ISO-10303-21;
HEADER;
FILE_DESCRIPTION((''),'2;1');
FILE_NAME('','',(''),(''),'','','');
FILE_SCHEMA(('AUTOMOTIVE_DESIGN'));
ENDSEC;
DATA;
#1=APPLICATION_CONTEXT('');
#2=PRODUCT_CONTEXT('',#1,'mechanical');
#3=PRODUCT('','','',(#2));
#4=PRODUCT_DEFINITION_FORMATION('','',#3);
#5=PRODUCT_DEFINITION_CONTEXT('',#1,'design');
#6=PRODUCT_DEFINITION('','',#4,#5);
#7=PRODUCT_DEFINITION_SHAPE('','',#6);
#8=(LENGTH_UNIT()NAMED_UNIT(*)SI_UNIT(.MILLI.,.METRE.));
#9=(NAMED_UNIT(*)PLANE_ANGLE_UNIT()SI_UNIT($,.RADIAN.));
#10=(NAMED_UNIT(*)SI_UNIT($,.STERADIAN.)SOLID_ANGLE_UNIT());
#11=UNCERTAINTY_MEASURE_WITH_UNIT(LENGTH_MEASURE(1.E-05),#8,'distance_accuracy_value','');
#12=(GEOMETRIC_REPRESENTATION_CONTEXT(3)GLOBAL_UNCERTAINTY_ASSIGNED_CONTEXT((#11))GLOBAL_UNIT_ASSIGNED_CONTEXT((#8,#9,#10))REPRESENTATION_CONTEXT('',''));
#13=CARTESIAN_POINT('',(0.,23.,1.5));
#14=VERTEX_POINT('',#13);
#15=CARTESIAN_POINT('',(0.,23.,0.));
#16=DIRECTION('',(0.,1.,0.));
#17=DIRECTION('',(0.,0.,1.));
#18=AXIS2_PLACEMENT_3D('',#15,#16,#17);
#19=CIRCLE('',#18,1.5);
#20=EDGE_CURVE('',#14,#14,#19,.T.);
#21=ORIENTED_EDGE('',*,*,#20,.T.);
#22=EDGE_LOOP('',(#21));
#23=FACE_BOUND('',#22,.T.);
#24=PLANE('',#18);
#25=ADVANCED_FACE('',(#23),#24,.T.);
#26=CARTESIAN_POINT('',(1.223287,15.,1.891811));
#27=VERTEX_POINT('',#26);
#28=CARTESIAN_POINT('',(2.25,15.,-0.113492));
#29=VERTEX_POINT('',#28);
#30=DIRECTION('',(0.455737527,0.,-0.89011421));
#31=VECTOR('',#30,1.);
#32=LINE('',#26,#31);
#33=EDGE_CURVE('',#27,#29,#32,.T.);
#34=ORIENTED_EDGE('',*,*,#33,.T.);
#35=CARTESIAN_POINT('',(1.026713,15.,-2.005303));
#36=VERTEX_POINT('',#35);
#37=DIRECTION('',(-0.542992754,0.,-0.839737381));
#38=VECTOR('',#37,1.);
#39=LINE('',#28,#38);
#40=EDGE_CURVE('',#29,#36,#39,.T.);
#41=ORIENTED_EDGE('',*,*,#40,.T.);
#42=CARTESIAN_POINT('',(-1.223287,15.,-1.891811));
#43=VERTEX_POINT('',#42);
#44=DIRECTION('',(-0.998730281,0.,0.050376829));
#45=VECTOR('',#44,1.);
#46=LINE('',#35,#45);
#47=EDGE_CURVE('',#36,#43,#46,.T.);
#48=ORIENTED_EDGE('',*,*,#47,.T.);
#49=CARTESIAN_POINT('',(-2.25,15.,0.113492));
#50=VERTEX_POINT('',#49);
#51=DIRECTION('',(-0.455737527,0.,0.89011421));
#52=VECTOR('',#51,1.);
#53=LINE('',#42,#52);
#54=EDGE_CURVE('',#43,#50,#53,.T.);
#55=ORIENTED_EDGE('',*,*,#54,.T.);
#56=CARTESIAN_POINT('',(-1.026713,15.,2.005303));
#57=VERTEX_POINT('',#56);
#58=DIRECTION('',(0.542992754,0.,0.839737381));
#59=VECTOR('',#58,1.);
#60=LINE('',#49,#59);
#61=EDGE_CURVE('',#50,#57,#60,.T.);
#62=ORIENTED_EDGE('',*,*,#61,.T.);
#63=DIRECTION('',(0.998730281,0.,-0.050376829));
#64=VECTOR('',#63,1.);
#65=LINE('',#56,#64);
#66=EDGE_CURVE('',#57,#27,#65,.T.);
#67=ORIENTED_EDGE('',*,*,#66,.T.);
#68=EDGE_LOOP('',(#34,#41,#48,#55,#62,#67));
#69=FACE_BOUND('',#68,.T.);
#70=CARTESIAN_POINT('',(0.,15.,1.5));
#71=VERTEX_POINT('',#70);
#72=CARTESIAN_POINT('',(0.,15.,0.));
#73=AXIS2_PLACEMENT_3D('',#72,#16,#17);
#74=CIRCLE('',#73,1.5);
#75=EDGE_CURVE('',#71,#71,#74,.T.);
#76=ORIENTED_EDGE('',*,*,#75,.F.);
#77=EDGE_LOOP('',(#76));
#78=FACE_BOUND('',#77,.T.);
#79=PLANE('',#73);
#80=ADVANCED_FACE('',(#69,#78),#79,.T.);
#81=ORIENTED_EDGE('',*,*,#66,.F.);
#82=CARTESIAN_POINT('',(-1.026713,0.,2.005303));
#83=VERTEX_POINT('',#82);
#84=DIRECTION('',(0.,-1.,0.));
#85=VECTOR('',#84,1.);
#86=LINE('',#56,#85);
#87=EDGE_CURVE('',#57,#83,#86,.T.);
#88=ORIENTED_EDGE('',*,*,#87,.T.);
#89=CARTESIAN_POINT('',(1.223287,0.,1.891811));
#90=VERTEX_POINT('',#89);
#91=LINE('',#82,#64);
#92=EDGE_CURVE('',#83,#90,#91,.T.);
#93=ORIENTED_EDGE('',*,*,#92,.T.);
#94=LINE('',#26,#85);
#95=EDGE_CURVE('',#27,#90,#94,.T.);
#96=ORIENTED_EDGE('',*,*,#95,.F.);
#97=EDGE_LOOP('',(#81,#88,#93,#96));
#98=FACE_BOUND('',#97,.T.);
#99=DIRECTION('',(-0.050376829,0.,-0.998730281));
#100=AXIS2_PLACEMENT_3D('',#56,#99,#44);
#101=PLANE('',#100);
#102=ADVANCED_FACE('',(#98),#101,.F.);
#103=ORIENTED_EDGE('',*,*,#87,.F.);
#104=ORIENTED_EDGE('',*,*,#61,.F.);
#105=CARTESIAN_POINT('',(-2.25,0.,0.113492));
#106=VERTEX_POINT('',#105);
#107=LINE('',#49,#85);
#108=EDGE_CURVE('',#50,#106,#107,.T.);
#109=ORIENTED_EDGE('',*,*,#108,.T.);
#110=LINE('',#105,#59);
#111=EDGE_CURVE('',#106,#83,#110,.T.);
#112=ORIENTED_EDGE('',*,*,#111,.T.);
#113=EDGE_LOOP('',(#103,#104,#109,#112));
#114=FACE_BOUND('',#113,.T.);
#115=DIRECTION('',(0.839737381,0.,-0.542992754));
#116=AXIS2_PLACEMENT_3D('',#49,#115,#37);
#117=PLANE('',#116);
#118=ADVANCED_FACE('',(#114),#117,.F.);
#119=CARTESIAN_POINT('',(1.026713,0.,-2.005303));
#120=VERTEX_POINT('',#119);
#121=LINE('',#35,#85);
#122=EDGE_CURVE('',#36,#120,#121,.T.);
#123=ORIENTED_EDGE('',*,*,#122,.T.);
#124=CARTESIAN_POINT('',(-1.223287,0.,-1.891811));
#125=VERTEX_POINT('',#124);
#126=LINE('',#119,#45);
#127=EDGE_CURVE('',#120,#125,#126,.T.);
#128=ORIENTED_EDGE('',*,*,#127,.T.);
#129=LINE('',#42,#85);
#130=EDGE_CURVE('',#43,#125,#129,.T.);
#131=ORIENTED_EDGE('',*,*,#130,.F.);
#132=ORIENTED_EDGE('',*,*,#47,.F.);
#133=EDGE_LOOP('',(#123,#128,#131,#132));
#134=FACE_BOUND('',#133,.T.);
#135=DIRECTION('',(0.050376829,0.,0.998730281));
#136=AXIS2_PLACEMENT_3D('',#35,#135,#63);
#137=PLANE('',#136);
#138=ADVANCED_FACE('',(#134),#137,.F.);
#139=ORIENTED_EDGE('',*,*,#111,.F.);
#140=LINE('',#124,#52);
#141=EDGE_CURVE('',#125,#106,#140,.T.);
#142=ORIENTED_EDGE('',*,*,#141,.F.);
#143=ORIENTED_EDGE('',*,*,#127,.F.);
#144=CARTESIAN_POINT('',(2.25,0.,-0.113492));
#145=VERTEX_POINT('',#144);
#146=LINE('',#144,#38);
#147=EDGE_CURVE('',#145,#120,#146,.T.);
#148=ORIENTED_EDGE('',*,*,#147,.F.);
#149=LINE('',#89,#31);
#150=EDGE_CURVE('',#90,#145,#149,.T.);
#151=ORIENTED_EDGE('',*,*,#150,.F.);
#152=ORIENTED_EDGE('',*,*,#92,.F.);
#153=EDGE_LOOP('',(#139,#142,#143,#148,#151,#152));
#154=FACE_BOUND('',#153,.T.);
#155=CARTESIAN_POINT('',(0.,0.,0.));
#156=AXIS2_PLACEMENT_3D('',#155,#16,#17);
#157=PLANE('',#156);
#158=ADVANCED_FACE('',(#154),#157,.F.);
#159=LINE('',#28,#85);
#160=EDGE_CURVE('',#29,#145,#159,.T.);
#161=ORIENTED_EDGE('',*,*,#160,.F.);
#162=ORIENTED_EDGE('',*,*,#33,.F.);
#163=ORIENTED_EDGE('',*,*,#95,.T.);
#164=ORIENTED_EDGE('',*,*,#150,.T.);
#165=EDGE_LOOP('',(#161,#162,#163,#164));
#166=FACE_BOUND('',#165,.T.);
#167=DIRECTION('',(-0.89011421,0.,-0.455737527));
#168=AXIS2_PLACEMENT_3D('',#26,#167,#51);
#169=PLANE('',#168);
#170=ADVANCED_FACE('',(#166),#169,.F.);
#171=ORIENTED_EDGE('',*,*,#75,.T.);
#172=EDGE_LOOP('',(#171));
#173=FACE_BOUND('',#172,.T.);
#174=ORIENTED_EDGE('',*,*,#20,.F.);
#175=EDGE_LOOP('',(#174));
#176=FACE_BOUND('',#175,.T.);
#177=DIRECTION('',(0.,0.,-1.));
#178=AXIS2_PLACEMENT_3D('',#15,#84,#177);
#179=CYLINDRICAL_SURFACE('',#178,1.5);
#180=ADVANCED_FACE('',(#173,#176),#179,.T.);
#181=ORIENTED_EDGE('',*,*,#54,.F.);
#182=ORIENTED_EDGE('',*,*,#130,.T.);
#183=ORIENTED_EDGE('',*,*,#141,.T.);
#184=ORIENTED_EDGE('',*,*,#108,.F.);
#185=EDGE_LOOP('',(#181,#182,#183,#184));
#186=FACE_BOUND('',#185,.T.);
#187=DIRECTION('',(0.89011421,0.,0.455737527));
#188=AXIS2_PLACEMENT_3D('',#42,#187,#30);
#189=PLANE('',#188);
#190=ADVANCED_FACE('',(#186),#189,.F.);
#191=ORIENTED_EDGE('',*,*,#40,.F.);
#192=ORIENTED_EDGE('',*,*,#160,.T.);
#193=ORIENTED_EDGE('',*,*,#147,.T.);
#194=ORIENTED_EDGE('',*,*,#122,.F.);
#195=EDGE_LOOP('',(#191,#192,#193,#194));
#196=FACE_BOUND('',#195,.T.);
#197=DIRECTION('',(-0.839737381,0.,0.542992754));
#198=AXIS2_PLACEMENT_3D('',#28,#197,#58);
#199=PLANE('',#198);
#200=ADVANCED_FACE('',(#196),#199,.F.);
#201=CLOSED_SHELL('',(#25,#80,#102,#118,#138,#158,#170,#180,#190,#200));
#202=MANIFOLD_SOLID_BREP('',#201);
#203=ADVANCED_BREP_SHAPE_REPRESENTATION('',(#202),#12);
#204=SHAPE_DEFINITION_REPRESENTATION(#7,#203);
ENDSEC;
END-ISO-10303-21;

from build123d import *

# Parameters (mm, degrees)
EXTRUDE_1_DEPTH = 15
SKETCH_2_R      = 1.5
EXTRUDE_2_DEPTH = 8


with BuildPart() as part:
    # 草图1 → 凸台-拉伸1 (new body)
    with BuildSketch(Plane(origin=(0, 0, 0), x_dir=(1, 0, 0), z_dir=(0, 1, 0))):
        Polygon((1.223286927, -1.891811175), (2.25, 0.113491968), (1.026713073, 2.005303142), (-1.223286927, 1.891811175), (-2.25, -0.113491968), (-1.026713073, -2.005303142), align=None)
    extrude(amount=EXTRUDE_1_DEPTH)

    # 草图2 → 凸台-拉伸2 (add)
    with BuildSketch(Plane(origin=(0, 15, 0), x_dir=(1, 0, 0), z_dir=(0, 1, 0))):
        with Locations(Location((0, 0, 0), (0, 0, 270))):
            Circle(SKETCH_2_R)
    extrude(amount=EXTRUDE_2_DEPTH)


solid = part.part
